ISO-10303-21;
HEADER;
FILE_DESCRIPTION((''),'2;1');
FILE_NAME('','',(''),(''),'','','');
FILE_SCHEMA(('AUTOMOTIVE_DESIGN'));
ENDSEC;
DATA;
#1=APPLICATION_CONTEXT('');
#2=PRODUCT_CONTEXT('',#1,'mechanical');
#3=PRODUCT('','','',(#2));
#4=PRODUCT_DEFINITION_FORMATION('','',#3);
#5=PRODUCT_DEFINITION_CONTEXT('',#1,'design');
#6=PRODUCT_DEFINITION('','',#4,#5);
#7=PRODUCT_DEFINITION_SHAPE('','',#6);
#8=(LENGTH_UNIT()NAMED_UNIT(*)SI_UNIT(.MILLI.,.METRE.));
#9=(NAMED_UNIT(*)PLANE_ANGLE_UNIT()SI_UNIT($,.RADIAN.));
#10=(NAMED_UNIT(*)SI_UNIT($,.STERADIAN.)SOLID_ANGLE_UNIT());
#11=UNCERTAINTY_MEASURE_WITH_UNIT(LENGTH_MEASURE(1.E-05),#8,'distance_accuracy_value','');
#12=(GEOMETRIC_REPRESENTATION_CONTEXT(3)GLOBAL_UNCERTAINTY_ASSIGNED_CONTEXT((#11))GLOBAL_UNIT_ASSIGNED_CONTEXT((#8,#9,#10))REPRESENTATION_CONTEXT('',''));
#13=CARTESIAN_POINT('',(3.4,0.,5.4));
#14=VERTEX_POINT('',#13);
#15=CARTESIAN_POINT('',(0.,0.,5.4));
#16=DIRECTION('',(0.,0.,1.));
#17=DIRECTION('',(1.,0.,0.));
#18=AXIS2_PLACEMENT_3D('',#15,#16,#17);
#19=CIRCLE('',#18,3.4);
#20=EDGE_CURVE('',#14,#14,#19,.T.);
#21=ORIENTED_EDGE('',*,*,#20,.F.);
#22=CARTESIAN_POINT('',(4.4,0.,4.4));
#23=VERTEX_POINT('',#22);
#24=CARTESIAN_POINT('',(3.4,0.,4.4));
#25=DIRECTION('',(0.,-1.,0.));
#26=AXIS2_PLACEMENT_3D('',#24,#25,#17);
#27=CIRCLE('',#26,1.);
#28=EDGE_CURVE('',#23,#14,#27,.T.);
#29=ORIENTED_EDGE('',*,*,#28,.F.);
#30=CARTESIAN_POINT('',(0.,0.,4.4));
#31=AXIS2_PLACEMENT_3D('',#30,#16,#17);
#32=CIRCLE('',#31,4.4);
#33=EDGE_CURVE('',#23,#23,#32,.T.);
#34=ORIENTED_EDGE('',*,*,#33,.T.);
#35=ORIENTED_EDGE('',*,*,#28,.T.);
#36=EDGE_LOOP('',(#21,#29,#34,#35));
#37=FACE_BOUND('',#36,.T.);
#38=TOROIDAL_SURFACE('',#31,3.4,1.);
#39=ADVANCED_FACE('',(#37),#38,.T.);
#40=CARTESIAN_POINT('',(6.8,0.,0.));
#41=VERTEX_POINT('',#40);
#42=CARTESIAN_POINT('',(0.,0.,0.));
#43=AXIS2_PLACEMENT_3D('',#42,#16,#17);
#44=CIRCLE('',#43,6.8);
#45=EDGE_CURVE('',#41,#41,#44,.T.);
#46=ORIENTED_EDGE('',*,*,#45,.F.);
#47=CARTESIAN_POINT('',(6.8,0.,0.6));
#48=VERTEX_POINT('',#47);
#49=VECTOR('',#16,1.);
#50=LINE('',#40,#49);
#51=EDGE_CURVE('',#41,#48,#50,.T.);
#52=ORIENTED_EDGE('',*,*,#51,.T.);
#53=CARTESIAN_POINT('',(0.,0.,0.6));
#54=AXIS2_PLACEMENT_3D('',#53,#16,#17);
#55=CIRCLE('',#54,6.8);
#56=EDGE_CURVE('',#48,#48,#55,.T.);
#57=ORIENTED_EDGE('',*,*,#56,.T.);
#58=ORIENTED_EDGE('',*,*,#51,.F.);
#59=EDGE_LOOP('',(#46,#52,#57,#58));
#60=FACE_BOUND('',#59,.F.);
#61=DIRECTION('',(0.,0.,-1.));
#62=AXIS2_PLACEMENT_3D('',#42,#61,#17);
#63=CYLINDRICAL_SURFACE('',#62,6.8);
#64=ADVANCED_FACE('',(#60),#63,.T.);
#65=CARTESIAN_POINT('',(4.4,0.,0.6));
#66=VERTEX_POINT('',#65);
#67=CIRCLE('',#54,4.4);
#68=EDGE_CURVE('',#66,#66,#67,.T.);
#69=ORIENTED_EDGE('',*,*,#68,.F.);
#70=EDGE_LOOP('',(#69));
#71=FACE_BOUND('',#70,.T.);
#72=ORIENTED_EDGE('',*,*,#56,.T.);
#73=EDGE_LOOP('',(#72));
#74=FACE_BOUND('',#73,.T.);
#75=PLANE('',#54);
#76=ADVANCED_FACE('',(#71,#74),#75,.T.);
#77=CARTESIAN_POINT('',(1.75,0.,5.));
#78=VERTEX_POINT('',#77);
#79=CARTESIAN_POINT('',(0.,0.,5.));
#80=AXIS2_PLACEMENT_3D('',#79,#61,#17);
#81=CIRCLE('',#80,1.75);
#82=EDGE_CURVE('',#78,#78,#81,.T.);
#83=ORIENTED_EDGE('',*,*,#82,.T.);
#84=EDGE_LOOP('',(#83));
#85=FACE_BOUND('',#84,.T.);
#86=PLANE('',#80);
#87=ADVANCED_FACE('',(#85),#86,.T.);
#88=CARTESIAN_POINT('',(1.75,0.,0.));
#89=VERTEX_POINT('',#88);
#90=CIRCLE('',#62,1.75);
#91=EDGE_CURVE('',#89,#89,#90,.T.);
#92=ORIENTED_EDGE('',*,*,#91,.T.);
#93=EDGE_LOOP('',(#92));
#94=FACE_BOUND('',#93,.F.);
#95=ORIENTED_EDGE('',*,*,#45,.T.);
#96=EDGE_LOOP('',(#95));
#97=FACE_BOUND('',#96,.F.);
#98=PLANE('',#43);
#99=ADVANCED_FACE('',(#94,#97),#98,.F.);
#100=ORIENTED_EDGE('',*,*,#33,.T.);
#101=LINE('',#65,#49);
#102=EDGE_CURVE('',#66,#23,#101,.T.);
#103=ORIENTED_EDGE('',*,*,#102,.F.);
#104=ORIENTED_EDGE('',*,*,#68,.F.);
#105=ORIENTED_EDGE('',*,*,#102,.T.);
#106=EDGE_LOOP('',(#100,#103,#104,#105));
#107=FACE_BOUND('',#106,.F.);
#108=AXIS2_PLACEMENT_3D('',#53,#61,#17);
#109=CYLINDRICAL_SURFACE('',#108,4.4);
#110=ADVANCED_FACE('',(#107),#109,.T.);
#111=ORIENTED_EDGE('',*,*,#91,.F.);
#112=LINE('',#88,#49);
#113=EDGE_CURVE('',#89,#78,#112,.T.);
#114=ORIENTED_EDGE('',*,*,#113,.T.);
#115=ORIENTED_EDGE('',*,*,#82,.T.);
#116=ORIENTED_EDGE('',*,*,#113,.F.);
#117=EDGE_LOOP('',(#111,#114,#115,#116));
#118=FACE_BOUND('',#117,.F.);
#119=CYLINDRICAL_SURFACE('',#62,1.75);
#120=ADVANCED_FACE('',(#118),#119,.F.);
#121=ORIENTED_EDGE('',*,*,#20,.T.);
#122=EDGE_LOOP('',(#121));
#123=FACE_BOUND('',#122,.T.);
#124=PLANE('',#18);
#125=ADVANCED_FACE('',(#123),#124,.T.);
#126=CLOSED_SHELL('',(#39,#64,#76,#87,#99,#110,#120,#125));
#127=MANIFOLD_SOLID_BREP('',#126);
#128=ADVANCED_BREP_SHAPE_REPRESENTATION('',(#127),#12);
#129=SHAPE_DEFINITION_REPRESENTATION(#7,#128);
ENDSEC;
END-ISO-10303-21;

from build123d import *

# Parameters (mm, degrees)
SKETCH_R     = 6.8
PAD_DEPTH    = 0.6
SKETCH001_R  = 4.4
PAD001_DEPTH = 4.8
SKETCH002_R  = 1.75
POCKET_DEPTH = 5
FILLET_R     = 1


with BuildPart() as part:
    # Sketch → Pad (new body)
    with BuildSketch(Plane.XY):
        Circle(SKETCH_R)
    extrude(amount=PAD_DEPTH)

    # Sketch001 (on Face3 of Pad) → Pad001 (join)
    with BuildSketch(Plane.XY.offset(0.6)):
        Circle(SKETCH001_R)
    extrude(amount=PAD001_DEPTH)

    # Sketch002 (on Face2 of Pad001) → Pocket (cut)
    with BuildSketch(Plane(origin=(0, 0, 0), x_dir=(1, 0, 0), z_dir=(0, 0, -1))):
        Circle(SKETCH002_R)
    extrude(amount=-POCKET_DEPTH, mode=Mode.SUBTRACT)

    # Fillet
    fillet_edges = [part.edges().sort_by_distance(p)[0] for p in [
        (-4.4, 0, 5.4),
    ]]
    fillet(fillet_edges, radius=FILLET_R)


solid = part.part
